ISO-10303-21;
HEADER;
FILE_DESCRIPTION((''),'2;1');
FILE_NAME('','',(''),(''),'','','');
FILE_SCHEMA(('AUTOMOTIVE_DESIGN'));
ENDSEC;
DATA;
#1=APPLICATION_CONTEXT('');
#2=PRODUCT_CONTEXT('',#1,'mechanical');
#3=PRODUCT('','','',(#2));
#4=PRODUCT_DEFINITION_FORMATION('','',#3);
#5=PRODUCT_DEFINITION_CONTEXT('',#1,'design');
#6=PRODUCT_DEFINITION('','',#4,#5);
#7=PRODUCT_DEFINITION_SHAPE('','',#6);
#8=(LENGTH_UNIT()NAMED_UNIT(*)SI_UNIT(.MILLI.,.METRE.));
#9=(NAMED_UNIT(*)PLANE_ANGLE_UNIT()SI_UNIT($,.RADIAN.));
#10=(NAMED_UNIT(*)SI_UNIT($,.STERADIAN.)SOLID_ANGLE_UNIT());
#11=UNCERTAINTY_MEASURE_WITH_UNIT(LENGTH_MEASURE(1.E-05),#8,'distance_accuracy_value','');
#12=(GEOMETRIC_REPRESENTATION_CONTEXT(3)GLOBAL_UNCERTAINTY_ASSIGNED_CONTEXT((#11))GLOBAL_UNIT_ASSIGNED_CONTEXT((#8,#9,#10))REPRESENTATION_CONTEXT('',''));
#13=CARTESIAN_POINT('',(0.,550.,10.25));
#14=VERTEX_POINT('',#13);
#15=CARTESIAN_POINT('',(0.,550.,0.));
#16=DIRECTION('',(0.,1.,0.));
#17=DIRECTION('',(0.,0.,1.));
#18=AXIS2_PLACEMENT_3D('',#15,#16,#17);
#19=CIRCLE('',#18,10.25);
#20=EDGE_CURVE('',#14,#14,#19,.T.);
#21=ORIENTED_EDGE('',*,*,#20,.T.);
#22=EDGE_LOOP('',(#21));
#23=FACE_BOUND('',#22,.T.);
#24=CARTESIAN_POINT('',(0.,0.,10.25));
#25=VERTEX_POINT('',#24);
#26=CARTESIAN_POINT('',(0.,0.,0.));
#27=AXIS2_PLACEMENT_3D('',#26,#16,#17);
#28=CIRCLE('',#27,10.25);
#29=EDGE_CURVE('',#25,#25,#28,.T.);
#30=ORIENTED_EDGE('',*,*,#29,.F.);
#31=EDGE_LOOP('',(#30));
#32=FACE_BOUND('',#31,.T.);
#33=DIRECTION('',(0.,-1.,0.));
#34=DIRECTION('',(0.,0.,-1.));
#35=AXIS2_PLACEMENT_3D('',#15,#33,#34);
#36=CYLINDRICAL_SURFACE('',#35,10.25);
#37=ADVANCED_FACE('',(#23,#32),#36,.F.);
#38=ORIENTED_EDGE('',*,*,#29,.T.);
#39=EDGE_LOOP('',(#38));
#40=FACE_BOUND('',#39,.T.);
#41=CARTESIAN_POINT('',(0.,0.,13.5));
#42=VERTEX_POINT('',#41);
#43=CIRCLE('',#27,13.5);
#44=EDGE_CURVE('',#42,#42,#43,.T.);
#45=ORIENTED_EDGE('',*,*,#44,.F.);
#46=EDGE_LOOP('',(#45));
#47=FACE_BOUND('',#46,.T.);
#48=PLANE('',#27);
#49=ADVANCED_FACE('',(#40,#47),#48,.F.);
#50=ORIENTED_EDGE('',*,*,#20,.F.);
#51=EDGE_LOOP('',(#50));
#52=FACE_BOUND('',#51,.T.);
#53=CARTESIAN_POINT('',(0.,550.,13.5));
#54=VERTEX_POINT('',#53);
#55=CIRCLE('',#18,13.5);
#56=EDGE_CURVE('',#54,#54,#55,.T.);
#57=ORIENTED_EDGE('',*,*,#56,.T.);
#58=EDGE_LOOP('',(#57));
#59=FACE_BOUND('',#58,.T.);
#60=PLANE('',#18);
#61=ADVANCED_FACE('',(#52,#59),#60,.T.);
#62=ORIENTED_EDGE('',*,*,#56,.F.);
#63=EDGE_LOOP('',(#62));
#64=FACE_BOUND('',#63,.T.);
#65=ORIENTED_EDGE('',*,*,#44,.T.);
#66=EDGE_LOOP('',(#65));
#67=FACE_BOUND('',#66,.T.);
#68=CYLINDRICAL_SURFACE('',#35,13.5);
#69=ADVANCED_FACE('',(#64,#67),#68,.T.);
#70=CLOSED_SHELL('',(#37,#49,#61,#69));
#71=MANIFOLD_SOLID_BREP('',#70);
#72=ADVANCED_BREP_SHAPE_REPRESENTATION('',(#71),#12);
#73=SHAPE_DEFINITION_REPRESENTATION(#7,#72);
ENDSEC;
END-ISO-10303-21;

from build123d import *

# Parameters (mm, degrees)
SKETCH1_R           = 13.5
SKETCH1_R_2         = 10.25
BOSS_EXTRUDE1_DEPTH = 550


with BuildPart() as part:
    # Sketch1 → Boss-Extrude1 (new body)
    with BuildSketch(Plane(origin=(0, 0, 0), x_dir=(1, 0, 0), z_dir=(0, 1, 0))):
        with Locations(Location((0, 0, 0), (0, 0, 270))):  # turned: the seam where the file's is
            Circle(SKETCH1_R)
        with Locations(Location((0, 0, 0), (0, 0, 270))):  # turned: the seam where the file's is
            Circle(SKETCH1_R_2, mode=Mode.SUBTRACT)
    extrude(amount=BOSS_EXTRUDE1_DEPTH)


solid = part.part
